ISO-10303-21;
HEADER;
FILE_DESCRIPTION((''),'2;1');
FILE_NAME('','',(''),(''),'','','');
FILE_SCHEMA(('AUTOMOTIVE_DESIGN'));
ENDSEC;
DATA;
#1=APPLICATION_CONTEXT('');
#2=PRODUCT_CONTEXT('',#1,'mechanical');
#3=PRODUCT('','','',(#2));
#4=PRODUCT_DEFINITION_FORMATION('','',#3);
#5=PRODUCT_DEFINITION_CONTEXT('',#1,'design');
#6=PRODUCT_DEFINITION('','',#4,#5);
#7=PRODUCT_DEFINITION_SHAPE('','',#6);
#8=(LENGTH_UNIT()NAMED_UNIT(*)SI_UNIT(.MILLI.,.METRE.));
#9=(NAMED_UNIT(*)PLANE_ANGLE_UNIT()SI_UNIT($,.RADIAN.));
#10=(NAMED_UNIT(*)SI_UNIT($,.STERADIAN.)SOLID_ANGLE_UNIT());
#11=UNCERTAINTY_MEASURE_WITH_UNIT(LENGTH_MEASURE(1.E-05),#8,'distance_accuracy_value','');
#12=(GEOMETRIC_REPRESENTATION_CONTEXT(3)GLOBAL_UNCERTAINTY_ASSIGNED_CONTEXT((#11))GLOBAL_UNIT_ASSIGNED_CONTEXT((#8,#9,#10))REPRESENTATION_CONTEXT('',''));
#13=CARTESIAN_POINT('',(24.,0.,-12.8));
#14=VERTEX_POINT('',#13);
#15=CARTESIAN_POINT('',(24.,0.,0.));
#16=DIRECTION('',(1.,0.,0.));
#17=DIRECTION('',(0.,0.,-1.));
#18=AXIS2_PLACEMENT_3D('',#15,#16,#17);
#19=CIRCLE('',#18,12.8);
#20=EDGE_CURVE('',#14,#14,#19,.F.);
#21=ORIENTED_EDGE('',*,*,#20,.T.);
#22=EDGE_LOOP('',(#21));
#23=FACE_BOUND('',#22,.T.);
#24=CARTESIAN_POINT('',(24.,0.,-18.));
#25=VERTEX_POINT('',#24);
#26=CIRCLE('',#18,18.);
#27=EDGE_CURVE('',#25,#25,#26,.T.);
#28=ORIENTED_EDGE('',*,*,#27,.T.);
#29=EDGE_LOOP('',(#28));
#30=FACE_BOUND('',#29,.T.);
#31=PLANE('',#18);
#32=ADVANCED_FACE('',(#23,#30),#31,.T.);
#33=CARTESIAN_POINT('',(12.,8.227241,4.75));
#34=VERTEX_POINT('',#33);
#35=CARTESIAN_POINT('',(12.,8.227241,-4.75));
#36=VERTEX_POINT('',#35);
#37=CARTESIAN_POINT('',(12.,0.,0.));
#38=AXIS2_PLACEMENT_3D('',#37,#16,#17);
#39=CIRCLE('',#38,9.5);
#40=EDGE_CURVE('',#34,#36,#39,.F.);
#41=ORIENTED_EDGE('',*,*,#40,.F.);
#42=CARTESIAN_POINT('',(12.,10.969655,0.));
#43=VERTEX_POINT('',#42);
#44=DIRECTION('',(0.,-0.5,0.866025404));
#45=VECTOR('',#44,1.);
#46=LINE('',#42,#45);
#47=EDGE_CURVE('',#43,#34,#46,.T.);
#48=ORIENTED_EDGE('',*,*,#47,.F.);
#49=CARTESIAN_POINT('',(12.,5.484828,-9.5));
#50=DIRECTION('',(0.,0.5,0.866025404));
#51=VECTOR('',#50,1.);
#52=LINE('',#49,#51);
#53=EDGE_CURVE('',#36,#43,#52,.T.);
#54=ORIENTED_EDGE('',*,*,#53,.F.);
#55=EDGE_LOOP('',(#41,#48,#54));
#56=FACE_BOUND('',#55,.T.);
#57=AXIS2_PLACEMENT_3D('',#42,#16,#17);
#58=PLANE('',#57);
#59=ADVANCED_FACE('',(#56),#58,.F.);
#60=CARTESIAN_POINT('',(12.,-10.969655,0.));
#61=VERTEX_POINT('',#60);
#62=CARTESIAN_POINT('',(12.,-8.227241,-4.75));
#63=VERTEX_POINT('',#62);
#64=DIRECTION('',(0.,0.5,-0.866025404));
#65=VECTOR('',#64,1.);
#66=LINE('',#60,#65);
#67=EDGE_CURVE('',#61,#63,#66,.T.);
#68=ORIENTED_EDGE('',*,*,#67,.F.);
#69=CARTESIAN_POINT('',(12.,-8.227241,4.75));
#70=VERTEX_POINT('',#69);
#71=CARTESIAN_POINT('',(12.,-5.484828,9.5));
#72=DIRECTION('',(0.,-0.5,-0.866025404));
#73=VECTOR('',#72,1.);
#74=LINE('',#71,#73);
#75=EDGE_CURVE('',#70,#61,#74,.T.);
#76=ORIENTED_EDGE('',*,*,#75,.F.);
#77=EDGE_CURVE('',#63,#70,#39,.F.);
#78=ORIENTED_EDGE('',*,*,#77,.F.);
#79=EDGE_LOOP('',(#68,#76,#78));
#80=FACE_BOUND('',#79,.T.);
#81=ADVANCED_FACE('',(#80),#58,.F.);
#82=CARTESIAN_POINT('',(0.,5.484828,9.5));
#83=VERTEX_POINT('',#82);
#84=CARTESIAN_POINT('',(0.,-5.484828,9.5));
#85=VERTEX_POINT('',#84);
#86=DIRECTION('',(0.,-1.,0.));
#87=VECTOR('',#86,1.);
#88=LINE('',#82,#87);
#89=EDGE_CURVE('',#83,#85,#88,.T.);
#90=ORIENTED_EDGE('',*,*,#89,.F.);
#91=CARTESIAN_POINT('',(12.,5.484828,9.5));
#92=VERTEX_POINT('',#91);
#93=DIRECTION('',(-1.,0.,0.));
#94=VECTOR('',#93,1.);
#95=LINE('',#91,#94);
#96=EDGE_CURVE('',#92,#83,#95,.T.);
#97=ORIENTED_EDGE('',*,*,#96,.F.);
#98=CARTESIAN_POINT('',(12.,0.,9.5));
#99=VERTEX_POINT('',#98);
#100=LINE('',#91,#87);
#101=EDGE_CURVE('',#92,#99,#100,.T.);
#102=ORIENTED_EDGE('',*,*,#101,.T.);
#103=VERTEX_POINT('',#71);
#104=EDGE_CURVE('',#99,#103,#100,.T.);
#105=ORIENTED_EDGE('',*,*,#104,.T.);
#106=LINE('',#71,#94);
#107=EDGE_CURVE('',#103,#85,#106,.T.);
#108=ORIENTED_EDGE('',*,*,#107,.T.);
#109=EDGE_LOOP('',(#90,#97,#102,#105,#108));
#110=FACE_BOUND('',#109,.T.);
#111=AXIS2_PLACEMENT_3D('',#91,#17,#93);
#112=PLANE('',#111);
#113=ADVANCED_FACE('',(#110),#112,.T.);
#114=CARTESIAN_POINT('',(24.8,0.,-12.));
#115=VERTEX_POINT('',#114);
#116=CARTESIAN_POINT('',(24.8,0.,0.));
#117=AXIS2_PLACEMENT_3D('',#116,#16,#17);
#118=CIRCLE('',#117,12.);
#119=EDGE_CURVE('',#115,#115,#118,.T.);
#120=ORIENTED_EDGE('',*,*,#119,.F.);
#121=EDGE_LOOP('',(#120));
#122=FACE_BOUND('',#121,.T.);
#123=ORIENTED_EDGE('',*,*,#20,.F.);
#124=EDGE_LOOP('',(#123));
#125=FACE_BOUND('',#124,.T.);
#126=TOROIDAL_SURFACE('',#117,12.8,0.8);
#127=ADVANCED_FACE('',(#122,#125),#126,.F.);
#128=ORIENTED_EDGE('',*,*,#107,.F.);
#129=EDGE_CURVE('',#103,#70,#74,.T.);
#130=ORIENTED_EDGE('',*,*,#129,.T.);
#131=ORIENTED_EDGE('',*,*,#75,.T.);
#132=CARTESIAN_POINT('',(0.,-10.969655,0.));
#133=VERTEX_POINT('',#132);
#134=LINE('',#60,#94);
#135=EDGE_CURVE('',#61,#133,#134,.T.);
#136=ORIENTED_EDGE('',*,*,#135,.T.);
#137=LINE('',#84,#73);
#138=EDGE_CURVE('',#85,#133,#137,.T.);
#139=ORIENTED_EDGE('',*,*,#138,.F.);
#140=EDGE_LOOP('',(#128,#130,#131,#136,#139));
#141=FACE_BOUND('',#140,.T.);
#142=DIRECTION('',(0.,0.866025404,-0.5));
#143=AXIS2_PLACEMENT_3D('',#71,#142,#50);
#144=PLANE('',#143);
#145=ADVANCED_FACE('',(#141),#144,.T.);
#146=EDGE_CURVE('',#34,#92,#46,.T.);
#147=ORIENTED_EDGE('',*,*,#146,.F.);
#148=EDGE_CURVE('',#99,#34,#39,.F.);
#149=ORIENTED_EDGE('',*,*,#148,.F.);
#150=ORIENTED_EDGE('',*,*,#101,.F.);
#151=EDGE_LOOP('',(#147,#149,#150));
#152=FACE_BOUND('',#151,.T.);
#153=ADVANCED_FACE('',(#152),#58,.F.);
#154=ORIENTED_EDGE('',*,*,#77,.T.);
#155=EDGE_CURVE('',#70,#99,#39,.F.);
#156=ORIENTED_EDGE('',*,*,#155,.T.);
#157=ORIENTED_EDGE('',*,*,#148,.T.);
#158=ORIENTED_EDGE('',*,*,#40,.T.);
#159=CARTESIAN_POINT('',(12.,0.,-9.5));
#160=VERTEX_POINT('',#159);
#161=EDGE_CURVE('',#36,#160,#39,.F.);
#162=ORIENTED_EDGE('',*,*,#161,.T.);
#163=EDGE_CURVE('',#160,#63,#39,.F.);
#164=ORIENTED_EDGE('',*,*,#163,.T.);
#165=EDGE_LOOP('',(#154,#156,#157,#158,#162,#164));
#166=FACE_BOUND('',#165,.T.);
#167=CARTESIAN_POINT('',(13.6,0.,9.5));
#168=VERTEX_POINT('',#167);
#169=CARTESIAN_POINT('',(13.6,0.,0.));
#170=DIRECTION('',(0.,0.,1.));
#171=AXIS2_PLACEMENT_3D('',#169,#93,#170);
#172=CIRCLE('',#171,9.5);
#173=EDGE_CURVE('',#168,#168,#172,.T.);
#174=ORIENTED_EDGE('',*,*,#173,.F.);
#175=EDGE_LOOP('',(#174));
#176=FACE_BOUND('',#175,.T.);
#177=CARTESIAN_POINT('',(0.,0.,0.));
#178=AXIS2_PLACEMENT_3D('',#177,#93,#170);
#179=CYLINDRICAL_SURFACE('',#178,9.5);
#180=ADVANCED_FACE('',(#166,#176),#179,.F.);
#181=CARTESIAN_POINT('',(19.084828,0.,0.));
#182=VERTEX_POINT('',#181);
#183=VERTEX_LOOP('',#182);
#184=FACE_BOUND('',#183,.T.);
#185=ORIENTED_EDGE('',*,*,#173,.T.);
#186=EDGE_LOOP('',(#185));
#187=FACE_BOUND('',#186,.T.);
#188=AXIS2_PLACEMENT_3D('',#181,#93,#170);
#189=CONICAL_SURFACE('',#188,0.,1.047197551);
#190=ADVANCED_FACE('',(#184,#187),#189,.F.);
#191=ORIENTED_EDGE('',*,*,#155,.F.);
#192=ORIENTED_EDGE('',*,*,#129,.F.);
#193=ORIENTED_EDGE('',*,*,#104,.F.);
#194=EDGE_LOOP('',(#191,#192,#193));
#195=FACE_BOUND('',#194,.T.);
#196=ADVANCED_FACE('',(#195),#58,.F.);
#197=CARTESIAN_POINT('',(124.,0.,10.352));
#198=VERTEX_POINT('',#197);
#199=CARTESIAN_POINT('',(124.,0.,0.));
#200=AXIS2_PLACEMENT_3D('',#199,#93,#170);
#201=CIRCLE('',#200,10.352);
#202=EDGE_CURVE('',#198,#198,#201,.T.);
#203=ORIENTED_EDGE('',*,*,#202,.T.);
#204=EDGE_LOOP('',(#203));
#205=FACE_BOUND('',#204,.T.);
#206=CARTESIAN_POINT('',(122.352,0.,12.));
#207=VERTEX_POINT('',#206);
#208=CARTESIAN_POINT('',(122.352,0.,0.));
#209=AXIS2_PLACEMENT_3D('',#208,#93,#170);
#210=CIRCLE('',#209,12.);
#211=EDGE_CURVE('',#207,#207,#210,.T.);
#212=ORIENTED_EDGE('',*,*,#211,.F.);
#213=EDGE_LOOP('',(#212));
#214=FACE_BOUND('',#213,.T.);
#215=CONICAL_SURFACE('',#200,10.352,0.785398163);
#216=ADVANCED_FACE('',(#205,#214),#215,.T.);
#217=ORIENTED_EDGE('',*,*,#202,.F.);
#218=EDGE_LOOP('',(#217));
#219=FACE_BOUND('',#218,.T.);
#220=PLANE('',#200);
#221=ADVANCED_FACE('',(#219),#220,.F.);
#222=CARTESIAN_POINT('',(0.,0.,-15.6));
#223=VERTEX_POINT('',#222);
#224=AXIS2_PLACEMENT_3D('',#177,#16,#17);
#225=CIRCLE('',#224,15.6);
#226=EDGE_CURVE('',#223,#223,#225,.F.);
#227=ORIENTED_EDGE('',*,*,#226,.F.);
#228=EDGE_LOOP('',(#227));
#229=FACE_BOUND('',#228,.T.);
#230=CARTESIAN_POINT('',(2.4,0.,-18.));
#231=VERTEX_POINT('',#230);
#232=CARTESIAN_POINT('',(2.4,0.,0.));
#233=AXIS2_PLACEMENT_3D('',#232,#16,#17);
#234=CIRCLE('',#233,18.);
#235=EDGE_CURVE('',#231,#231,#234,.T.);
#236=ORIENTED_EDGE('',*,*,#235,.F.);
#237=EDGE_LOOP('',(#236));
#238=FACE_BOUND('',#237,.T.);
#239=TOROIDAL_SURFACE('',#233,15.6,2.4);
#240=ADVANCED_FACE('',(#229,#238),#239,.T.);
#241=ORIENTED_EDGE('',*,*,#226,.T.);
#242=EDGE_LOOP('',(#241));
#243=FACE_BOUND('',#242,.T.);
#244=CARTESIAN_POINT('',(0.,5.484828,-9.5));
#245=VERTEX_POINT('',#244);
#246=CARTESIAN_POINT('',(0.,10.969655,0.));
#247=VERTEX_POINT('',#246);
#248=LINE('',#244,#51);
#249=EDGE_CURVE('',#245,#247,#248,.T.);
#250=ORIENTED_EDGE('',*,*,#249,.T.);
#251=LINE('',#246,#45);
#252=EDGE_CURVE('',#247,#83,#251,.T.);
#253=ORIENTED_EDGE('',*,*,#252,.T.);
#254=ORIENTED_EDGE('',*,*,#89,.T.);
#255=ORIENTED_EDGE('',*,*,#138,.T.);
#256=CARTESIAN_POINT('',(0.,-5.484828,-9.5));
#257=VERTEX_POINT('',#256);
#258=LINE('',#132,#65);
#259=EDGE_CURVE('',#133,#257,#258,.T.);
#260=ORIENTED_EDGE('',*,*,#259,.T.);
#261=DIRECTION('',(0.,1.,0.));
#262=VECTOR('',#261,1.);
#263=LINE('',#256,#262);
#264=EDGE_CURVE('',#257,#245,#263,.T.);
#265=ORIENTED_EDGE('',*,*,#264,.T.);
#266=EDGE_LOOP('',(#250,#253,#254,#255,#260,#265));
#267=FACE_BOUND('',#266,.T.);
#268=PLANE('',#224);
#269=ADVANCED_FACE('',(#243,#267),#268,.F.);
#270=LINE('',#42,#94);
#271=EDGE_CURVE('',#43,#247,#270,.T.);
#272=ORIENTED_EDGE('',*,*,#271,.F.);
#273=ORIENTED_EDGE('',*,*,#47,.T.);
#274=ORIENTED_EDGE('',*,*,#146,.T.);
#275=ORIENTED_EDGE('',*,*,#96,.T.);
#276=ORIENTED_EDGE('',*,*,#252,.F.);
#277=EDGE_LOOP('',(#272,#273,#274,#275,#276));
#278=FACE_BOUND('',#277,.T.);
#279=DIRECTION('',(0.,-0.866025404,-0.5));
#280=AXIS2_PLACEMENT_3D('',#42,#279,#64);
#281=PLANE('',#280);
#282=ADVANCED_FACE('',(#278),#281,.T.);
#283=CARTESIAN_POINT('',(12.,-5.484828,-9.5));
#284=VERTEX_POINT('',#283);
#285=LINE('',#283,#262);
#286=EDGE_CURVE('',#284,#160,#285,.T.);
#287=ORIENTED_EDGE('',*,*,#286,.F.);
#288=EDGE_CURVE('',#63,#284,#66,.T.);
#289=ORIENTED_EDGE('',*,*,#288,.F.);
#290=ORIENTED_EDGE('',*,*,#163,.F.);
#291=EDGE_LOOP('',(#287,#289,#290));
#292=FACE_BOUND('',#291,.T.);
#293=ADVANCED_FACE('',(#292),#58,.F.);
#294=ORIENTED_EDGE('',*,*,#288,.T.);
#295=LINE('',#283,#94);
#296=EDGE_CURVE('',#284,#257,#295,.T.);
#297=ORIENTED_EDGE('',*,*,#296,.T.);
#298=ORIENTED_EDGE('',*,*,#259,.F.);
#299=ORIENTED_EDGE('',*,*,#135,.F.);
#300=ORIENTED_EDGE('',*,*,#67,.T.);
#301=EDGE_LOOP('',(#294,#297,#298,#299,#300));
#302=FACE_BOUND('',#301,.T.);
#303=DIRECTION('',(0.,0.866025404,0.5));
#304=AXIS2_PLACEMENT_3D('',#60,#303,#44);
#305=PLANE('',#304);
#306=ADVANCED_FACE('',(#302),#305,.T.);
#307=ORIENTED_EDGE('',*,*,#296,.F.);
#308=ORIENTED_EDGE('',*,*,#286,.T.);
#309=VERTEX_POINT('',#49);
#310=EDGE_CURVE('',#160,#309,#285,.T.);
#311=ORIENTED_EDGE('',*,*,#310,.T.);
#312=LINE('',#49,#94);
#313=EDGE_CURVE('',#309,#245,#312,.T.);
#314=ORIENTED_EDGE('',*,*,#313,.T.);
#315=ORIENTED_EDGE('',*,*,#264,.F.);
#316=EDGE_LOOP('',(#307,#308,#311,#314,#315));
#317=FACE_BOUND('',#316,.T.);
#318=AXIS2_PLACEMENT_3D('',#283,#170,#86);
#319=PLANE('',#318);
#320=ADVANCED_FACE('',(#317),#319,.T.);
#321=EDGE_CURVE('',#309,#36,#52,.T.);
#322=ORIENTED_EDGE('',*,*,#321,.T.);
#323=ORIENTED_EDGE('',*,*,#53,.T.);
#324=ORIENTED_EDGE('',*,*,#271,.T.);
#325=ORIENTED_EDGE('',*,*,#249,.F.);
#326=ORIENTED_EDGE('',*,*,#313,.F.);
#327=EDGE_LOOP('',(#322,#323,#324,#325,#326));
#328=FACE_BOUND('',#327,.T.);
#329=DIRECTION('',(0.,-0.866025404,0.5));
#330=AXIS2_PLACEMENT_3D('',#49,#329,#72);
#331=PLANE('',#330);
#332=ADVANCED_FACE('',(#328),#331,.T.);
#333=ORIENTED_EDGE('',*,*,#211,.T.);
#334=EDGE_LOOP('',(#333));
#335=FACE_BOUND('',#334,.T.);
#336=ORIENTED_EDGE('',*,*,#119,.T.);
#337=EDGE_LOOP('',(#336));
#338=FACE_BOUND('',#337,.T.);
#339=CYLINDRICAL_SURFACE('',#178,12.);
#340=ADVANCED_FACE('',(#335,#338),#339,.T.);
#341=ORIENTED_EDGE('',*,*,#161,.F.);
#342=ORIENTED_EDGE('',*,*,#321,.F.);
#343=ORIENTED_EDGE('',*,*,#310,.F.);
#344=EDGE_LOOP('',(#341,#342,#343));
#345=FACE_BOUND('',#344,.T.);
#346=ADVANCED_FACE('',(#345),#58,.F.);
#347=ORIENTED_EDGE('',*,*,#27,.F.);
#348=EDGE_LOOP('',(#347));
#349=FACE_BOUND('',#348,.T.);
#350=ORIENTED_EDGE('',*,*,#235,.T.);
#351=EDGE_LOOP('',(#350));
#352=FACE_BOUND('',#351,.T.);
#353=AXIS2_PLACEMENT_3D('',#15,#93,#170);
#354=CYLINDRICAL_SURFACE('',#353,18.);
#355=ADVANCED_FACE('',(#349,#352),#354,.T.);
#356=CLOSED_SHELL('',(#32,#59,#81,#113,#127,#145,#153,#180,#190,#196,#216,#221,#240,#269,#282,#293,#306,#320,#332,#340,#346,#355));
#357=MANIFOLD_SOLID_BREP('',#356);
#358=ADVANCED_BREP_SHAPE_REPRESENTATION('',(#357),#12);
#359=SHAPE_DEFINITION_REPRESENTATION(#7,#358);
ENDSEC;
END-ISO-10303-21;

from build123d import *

# Parameters (mm, degrees)
BASEHEADSKE_R   = 18
BASEHEAD_DEPTH  = 24
CUTSOCKET_DEPTH = 12
FILLET1_R       = 0.8
FILLET2_R       = 2.4


with BuildPart() as part:
    # BaseHeadSke → BaseHead (new body)
    with BuildSketch(Plane(origin=(0, 0, 0), x_dir=(0, 0, -1), z_dir=(1, 0, 0))):
        Circle(BASEHEADSKE_R)
    extrude(amount=BASEHEAD_DEPTH)

    # BodySke → BaseBody (revolve)
    with BuildSketch(Plane.XY):
        Polygon((0, 0), (124, 0), (124, 10.352), (122.352, 12), (0, 12), align=None)
    revolve(axis=Axis((0, 0, 0), (1, 0, 0)))

    # CutSocketSke → CutSocket (cut)
    with BuildSketch(Plane(origin=(0, 0, 0), x_dir=(0, 0, -1), z_dir=(1, 0, 0))):
        Polygon((0, 10.969655115), (-9.5, 5.484827557), (-9.5, -5.484827557), (0, -10.969655115), (9.5, -5.484827557), (9.5, 5.484827557), align=None)
    extrude(amount=CUTSOCKET_DEPTH, mode=Mode.SUBTRACT)

    # CutHoleSke → CutHole (revolve, cut)
    with BuildSketch(Plane.XY):
        Polygon((0, 9.5), (13.6, 9.5), (19.084827557, 0), (0, 0), align=None)
    revolve(axis=Axis((0, 0, 0), (1, 0, 0)), mode=Mode.SUBTRACT)

    # Fillet1
    fillet1_edges = [part.edges().sort_by_distance(p)[0] for p in [
        (24, -12, 0),
    ]]
    fillet(fillet1_edges, radius=FILLET1_R)

    # Fillet2
    fillet2_edges = [part.edges().sort_by_distance(p)[0] for p in [
        (0, 0, 18),
    ]]
    fillet(fillet2_edges, radius=FILLET2_R)


solid = part.part
